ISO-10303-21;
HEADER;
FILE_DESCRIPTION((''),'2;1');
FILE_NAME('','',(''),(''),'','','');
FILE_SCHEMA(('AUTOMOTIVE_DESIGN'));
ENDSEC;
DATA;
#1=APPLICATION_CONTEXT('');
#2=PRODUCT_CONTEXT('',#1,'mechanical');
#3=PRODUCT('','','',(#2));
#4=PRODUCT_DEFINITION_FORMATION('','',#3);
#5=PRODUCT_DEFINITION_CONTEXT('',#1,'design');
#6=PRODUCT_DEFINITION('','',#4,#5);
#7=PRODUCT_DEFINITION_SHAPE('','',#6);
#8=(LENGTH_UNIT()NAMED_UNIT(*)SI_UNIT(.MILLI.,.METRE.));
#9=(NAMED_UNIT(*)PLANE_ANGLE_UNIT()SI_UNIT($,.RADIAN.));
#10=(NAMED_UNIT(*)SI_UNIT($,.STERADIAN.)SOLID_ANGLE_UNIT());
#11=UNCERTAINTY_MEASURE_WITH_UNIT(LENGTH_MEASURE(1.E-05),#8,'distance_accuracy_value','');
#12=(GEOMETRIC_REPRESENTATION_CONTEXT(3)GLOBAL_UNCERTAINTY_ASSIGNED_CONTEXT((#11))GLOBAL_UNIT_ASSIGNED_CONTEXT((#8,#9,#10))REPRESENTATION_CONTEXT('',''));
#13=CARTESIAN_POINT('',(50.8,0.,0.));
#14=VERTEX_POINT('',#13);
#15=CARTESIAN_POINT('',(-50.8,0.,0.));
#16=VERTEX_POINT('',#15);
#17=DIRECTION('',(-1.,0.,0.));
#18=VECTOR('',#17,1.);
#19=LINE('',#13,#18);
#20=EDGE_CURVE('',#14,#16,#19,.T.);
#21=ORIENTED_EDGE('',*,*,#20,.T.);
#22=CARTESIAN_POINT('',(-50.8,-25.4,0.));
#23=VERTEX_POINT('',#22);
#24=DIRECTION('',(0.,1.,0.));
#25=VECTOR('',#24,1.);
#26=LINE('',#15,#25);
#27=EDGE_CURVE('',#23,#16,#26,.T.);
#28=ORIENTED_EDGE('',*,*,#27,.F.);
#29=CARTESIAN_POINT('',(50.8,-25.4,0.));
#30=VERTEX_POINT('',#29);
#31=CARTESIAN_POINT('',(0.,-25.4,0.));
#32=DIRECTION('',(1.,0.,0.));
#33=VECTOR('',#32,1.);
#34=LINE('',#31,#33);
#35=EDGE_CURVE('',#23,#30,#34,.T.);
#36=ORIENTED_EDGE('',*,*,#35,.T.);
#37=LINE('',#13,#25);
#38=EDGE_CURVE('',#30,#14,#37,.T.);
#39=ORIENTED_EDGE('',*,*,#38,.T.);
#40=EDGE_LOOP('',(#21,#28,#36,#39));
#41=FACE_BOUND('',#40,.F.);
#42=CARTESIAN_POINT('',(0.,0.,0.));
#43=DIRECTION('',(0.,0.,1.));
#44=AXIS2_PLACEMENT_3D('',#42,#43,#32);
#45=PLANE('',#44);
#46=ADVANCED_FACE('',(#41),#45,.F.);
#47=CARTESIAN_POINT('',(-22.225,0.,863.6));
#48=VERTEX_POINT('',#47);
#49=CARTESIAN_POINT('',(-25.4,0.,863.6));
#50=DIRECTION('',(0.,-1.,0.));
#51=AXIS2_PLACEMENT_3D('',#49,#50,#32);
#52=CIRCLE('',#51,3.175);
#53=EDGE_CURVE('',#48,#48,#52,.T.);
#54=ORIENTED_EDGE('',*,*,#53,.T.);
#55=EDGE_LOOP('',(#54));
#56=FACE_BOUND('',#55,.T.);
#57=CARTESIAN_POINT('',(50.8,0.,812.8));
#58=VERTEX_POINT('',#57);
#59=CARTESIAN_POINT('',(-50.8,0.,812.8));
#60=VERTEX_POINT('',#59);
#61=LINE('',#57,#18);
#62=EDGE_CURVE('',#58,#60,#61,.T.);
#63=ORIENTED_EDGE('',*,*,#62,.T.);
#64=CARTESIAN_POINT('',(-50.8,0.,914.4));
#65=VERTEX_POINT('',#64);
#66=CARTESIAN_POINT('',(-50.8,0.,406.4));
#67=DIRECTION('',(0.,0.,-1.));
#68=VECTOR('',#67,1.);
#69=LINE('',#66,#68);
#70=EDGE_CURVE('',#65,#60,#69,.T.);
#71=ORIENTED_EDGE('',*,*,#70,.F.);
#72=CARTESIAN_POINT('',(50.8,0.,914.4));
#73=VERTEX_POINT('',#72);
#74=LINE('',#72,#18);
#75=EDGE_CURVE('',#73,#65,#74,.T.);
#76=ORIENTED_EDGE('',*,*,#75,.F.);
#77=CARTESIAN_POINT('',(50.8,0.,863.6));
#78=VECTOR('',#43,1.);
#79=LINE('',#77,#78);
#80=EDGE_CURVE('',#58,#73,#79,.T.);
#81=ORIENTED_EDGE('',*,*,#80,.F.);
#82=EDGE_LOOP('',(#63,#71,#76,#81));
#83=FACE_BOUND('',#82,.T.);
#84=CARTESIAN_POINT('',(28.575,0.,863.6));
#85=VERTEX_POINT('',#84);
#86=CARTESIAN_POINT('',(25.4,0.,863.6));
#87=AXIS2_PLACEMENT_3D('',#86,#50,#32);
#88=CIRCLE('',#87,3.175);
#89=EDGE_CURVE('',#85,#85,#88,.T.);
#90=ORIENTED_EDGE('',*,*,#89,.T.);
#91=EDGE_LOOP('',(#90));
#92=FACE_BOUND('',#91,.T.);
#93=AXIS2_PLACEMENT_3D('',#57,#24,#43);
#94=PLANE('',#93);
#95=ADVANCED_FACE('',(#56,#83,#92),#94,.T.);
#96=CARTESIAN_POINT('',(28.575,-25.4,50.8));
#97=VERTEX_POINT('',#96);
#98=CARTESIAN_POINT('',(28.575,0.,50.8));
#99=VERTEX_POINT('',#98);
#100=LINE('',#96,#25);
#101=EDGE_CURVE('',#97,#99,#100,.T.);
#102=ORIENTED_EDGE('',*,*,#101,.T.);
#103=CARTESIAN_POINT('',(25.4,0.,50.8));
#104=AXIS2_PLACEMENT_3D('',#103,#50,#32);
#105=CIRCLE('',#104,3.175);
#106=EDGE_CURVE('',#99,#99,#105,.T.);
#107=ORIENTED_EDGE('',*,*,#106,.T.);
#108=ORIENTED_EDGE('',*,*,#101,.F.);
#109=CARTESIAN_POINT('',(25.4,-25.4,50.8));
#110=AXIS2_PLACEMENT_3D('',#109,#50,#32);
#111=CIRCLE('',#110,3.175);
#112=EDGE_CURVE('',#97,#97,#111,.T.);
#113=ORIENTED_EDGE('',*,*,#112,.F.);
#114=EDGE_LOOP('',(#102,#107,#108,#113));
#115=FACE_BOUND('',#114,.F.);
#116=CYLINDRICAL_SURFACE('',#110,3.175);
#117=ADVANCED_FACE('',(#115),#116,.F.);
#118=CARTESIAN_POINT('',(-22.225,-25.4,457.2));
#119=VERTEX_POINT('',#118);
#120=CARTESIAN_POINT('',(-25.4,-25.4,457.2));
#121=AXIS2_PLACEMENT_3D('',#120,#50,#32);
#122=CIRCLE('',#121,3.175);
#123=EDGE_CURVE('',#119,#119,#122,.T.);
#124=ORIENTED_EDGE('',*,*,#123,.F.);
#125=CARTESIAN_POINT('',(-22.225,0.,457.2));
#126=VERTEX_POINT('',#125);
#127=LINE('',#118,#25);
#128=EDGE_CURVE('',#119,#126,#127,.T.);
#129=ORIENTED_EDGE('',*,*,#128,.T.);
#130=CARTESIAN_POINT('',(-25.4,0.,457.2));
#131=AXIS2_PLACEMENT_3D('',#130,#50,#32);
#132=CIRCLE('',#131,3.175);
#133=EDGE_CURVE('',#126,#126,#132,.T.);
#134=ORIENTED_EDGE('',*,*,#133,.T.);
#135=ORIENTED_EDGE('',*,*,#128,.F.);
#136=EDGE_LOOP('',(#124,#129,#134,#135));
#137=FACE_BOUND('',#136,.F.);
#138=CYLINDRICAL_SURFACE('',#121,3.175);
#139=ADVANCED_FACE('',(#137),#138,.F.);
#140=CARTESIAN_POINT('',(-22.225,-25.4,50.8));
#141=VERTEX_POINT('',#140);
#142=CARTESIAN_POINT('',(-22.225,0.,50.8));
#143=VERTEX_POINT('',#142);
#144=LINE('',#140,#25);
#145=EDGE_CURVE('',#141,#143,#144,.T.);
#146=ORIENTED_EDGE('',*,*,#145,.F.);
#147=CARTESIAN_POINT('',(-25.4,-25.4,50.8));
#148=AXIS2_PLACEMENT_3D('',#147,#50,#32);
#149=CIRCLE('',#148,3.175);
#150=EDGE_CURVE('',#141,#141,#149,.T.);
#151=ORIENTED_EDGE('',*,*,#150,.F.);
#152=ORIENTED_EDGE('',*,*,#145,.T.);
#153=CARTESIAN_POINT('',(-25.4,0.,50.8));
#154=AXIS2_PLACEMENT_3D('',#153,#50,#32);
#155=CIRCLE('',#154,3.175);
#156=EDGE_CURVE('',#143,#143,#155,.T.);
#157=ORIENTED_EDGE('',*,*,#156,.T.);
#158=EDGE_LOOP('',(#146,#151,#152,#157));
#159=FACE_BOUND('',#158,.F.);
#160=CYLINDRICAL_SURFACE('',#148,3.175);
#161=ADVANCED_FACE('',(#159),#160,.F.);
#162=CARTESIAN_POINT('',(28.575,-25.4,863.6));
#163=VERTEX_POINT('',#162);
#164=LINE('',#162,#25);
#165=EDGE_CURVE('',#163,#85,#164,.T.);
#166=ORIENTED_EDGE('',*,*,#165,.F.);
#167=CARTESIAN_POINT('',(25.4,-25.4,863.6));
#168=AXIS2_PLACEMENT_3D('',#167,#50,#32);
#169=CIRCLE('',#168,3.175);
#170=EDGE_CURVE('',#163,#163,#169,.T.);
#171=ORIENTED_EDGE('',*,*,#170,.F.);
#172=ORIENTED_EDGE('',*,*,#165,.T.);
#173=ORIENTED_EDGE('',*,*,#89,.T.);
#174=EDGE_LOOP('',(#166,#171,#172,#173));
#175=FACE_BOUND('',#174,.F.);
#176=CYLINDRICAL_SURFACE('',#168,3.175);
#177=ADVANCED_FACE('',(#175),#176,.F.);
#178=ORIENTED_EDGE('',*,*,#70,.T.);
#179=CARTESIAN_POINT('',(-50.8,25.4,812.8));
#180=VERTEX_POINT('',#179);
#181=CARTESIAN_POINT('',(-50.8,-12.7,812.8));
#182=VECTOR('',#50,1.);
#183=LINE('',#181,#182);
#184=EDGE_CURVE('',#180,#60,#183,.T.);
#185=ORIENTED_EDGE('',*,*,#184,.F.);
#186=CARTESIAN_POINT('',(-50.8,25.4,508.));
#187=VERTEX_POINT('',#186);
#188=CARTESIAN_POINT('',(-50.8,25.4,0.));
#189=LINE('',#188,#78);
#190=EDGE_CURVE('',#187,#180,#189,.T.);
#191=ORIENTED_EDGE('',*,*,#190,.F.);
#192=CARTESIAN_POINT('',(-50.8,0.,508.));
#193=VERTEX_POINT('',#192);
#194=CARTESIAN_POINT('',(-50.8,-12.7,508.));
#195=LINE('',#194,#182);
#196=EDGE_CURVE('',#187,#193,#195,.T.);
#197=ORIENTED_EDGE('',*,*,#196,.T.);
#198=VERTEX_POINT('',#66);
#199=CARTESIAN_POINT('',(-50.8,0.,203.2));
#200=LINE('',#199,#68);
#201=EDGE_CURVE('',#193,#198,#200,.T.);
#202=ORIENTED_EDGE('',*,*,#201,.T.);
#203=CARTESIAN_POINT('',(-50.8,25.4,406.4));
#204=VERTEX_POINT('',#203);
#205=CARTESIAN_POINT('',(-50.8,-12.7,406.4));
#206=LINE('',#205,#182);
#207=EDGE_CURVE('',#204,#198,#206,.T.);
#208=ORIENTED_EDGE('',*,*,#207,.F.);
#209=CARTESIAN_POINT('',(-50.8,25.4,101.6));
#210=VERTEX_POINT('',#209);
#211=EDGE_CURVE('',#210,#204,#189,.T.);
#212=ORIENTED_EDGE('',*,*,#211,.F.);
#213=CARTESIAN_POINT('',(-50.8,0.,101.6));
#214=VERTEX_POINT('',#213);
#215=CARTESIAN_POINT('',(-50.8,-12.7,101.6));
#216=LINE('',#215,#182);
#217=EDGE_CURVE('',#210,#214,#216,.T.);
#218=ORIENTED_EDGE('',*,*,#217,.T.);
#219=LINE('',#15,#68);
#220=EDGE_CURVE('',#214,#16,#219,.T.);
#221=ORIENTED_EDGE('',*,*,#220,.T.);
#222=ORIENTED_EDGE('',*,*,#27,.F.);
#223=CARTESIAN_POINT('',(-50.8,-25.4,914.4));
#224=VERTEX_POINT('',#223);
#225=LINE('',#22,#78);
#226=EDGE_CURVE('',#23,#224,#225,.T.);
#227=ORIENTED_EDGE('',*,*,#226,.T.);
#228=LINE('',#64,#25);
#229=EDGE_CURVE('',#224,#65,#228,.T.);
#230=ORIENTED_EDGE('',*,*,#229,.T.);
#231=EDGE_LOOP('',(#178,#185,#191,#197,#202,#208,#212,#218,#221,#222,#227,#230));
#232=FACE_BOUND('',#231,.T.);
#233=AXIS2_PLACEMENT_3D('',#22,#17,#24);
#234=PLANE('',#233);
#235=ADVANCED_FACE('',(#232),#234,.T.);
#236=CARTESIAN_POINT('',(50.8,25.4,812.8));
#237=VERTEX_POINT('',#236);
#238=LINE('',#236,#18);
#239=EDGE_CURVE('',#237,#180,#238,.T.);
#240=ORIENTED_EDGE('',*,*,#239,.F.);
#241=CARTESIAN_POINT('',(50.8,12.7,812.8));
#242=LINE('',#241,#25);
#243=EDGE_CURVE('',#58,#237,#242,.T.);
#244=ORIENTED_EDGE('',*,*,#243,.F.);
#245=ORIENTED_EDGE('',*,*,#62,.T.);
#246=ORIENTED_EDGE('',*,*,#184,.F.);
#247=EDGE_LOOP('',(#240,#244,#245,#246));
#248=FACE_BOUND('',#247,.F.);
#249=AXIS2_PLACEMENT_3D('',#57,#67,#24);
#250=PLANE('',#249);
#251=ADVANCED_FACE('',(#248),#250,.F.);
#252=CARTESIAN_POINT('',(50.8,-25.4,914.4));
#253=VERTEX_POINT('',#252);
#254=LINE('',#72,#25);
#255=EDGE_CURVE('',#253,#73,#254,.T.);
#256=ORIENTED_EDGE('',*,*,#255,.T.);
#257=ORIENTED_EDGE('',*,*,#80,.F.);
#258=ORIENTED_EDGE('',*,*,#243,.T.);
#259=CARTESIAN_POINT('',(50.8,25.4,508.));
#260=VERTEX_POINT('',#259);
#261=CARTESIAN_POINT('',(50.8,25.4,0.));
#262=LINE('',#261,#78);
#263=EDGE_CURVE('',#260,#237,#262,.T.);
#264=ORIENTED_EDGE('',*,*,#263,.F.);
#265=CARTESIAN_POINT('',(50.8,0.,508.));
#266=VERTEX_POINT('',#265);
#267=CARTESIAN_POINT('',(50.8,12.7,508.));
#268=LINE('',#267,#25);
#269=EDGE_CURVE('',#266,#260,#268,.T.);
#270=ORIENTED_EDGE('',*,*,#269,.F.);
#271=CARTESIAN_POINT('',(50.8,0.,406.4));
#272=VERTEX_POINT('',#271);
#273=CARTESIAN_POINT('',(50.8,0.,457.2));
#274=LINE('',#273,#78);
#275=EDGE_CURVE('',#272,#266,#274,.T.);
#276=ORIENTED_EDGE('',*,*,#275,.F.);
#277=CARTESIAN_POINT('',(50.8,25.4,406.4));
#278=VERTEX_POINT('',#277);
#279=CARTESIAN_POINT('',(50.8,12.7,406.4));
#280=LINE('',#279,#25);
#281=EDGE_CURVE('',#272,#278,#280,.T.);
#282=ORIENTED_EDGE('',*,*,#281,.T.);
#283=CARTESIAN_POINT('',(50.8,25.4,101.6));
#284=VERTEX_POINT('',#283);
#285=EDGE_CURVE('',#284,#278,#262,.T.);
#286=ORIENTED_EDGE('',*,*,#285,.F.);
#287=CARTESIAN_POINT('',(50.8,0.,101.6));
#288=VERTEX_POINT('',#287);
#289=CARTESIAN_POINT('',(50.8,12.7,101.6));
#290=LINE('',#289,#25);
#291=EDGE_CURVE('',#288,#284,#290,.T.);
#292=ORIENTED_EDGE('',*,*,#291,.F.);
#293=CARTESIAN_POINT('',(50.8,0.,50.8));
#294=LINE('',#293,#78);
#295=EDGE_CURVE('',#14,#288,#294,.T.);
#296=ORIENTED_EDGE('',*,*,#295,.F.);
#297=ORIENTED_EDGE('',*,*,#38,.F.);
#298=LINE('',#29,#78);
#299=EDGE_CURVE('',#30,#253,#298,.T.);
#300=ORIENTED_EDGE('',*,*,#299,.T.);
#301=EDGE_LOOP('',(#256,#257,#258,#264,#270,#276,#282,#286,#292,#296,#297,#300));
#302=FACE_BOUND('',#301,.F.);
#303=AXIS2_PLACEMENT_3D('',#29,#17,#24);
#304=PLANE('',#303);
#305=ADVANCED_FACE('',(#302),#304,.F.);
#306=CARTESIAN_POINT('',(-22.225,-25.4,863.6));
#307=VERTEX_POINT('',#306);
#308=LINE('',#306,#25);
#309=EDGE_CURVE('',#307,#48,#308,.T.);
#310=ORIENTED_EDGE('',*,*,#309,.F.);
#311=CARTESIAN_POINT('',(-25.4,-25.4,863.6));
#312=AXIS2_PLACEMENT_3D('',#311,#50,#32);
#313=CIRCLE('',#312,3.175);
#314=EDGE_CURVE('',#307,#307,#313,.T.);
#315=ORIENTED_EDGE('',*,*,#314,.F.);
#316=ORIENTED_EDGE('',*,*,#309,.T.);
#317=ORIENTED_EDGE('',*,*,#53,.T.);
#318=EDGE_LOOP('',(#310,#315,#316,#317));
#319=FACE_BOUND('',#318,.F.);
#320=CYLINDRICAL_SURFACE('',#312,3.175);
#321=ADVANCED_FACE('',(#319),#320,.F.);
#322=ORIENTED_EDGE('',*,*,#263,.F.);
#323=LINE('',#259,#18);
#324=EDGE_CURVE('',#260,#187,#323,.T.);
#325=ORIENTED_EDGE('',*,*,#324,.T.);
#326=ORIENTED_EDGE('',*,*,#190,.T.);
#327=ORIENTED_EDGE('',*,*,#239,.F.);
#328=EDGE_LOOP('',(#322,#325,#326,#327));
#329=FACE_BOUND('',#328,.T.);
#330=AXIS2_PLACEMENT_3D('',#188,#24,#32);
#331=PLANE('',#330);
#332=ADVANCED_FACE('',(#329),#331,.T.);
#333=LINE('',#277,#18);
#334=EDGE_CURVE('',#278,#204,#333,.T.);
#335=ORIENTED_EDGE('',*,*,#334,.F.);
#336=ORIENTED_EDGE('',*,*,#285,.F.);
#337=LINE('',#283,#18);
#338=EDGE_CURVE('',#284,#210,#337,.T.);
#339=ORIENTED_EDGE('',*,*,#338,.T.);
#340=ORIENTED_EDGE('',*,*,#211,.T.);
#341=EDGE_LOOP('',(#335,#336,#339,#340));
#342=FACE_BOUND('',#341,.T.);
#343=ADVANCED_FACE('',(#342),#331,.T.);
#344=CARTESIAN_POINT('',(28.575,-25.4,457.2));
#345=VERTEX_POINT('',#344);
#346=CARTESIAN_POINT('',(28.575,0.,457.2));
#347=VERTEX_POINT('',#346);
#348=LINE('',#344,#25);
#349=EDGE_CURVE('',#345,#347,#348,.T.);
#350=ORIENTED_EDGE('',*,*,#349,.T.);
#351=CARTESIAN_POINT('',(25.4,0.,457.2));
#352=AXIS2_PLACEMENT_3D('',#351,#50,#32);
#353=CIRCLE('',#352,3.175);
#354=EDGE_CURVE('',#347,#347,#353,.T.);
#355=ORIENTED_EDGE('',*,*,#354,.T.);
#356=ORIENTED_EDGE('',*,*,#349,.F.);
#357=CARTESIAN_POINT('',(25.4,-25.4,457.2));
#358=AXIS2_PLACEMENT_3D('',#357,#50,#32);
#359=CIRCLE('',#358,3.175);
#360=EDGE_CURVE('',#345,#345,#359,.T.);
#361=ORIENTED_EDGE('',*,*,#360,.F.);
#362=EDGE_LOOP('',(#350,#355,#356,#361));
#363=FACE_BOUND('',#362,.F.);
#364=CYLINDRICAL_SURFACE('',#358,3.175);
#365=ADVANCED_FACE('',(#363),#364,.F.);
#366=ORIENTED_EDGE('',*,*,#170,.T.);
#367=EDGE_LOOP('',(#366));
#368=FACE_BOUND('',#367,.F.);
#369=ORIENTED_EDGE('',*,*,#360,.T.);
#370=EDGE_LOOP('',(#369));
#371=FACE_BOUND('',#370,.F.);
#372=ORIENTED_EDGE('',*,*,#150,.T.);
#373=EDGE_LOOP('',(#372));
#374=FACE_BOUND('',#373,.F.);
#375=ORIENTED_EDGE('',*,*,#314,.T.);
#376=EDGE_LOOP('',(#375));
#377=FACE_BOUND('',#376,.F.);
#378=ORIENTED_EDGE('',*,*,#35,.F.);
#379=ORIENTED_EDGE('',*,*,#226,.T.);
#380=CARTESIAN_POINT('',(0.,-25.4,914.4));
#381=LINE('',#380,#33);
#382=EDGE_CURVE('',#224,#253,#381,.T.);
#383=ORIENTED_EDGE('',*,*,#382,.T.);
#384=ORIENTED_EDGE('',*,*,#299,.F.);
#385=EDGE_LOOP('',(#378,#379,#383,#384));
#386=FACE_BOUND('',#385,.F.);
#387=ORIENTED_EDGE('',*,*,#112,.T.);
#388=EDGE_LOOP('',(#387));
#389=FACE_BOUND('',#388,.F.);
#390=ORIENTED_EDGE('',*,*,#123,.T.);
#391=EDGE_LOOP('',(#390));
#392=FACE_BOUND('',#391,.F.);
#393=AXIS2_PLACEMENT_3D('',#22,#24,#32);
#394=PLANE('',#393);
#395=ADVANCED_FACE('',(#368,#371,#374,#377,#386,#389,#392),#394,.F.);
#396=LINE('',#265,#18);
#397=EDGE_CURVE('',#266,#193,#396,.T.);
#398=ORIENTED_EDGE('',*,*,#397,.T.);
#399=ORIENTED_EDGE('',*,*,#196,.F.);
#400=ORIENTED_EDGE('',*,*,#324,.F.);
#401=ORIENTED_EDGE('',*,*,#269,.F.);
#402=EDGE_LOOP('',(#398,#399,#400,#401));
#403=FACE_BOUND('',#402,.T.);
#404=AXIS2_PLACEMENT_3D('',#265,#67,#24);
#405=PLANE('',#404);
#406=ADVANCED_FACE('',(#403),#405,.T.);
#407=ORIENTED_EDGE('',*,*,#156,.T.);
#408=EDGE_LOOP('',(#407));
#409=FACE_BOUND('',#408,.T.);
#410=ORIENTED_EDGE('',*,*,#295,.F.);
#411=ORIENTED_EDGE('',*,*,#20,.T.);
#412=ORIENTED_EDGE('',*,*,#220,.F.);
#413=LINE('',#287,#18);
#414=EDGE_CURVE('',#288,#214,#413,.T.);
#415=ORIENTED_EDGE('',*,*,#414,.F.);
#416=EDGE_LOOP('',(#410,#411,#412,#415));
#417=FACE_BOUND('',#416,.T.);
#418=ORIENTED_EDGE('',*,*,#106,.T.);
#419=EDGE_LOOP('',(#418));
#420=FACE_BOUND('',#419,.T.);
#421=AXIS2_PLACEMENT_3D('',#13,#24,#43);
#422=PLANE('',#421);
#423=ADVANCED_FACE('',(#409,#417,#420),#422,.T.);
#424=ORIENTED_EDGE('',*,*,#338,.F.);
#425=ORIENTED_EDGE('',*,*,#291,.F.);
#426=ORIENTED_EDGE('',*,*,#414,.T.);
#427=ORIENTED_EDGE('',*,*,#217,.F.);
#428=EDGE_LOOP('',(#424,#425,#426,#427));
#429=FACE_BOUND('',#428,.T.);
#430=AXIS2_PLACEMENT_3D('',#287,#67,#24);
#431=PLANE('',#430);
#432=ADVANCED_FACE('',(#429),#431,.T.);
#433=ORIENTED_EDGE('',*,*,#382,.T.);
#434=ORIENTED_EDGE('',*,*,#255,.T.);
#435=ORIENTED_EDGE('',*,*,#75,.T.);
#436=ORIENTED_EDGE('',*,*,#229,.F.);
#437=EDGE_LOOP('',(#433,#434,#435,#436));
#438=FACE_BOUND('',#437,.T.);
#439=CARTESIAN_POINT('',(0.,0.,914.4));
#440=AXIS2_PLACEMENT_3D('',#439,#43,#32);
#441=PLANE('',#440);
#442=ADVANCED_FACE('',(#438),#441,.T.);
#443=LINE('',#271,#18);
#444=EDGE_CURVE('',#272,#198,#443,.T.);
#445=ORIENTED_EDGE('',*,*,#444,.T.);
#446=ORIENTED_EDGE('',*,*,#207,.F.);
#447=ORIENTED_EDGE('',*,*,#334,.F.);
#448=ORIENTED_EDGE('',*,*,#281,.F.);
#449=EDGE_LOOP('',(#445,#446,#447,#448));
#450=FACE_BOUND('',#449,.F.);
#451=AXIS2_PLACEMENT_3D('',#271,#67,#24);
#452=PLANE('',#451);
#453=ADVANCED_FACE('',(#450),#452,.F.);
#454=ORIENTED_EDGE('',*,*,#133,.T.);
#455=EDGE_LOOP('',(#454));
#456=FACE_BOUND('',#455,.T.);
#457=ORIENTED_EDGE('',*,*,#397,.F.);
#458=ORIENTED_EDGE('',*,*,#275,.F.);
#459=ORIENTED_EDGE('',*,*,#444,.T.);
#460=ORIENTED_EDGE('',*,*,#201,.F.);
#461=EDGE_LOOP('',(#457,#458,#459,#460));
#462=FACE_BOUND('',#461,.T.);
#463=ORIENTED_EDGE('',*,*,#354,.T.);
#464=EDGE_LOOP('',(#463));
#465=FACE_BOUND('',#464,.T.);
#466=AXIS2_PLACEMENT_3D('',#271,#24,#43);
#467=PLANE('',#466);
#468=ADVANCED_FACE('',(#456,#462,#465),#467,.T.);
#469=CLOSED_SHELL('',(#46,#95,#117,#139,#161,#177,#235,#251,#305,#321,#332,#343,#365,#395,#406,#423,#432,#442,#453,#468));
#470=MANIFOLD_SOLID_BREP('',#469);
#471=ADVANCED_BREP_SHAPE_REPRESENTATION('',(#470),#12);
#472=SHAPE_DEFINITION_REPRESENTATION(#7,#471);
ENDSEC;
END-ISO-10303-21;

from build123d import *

# Parameters (mm, degrees)
F0_W     = 101.6
F0_H     = 50.8
F1_DEPTH = 914.4
F2_W     = 25.4
F2_H     = 101.6
F3_DEPTH = 101.601
F4_R     = 3.175
F5_DEPTH = 50.801


with BuildPart() as f1:
    # F0 (on Top) → F1 (new body)
    with BuildSketch(Plane.XY):
        Rectangle(F0_W, F0_H)
    extrude(amount=F1_DEPTH)

    # F2 (on face) → F3 (cut, through all)
    with BuildSketch(Plane.YZ.offset(50.8)):
        with Locations((12.7, 457.2)):
            Rectangle(F2_W, F2_H)
        with Locations((12.7, 50.8)):
            Rectangle(F2_W, F2_H)
        with Locations((12.7, 863.6)):
            Rectangle(F2_W, F2_H)
    extrude(amount=-F3_DEPTH, mode=Mode.SUBTRACT)

    # F4 (on face) → F5 (cut, through all)
    with BuildSketch(Plane.XZ.offset(25.4)):
        with Locations((-25.4, 863.6)):
            Circle(F4_R)
        with Locations((-25.4, 457.2)):
            Circle(F4_R)
        with Locations((-25.4, 50.8)):
            Circle(F4_R)
        with Locations((25.4, 863.6)):
            Circle(F4_R)
        with Locations((25.4, 457.2)):
            Circle(F4_R)
        with Locations((25.4, 50.8)):
            Circle(F4_R)
    extrude(amount=-F5_DEPTH, mode=Mode.SUBTRACT)


solid = f1.part
